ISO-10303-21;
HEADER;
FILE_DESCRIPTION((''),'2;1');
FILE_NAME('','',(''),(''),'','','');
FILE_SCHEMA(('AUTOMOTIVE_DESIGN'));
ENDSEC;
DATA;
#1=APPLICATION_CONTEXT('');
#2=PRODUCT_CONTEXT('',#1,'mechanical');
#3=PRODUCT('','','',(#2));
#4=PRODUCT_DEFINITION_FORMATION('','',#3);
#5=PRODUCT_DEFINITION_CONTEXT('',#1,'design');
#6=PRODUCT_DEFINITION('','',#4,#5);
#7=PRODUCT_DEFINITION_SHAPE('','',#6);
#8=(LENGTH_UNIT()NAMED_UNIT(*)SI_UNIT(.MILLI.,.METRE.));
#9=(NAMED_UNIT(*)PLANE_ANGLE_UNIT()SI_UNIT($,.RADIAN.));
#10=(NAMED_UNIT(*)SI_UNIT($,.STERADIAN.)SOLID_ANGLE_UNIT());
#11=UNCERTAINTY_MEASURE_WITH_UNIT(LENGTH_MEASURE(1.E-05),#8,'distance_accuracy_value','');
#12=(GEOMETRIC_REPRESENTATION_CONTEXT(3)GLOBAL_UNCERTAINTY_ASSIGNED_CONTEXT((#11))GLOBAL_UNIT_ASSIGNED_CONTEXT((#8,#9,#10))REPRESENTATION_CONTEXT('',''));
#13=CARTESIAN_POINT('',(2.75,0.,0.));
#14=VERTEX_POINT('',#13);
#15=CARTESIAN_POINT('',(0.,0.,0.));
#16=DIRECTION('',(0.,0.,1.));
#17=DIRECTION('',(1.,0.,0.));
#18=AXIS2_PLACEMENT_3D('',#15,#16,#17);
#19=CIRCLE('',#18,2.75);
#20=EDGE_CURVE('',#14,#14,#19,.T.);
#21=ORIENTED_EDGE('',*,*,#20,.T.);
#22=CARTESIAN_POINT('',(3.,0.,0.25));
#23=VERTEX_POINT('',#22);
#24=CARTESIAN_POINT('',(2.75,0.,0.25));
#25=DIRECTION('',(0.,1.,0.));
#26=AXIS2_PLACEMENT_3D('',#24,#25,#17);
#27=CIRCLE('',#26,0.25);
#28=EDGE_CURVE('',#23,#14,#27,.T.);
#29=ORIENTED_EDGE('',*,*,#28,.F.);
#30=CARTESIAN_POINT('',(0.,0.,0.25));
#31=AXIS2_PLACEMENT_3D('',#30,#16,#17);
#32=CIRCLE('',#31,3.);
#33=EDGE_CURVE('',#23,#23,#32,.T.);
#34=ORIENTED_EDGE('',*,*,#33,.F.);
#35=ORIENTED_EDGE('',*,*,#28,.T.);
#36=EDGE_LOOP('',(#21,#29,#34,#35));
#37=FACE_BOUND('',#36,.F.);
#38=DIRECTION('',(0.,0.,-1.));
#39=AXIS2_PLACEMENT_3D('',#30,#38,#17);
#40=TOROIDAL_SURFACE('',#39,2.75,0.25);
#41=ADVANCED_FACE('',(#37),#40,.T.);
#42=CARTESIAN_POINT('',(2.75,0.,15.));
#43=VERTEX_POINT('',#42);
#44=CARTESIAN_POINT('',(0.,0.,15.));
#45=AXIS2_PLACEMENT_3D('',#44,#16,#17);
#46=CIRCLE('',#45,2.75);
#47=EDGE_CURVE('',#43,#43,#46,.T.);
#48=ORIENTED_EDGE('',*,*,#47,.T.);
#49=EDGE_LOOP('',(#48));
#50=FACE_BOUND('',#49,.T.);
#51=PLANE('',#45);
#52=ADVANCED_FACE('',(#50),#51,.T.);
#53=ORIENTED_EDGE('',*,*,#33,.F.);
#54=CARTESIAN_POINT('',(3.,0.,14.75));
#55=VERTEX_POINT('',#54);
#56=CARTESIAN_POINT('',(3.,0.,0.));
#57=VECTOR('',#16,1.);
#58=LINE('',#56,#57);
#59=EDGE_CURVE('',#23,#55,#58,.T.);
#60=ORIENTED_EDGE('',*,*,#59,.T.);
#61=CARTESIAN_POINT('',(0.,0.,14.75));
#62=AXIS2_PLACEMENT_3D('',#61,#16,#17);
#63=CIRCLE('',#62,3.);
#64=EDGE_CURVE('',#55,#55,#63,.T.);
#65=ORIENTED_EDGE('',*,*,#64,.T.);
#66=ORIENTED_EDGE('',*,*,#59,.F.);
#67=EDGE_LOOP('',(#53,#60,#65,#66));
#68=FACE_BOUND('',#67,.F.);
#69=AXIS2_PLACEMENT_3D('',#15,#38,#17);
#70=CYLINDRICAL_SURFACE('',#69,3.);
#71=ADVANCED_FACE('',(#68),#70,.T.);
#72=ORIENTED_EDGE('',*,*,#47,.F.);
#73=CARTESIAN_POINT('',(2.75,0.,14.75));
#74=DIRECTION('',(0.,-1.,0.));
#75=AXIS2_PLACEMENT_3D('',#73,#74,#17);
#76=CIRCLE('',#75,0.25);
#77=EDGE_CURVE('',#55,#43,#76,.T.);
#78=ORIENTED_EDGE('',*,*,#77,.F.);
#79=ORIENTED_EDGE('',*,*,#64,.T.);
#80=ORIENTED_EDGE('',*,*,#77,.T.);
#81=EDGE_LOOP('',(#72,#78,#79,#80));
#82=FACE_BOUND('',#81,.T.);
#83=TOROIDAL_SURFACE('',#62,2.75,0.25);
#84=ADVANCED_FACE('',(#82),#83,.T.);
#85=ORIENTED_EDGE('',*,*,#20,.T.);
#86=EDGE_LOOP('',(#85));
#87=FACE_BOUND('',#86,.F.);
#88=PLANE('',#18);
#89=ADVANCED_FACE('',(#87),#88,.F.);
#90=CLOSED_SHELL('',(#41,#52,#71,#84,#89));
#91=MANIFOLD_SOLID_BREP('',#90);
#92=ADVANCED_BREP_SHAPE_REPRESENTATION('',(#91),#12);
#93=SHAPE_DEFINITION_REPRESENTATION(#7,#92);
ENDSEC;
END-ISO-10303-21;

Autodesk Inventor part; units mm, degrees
ref_plane "YZ Plane" through (0, 0, 0) normal (1, 0, 0) x (0, 1, 0)
ref_plane "XZ Plane" through (0, 0, 0) normal (0, 1, 0) x (-1, 0, 0)
ref_plane "XY Plane" through (0, 0, 0) normal (0, 0, 1) x (1, 0, 0)
sketch "Sketch1" plane through (0, 0, 0) normal (0, 0, 1) x (1, 0, 0)
  circle A0 centre (0, 0) radius 3
  dimension "d0" = 6
extrude "Extrusion1" add sketch "Sketch1" along normal blind 15
fillet "Fillet1" radius 0.25 2 edges at (-3, 0, 15) (-3, 0, 0)
properties part number "COTS_GENERIC_6x15mm_Neodymium_Magnet"
